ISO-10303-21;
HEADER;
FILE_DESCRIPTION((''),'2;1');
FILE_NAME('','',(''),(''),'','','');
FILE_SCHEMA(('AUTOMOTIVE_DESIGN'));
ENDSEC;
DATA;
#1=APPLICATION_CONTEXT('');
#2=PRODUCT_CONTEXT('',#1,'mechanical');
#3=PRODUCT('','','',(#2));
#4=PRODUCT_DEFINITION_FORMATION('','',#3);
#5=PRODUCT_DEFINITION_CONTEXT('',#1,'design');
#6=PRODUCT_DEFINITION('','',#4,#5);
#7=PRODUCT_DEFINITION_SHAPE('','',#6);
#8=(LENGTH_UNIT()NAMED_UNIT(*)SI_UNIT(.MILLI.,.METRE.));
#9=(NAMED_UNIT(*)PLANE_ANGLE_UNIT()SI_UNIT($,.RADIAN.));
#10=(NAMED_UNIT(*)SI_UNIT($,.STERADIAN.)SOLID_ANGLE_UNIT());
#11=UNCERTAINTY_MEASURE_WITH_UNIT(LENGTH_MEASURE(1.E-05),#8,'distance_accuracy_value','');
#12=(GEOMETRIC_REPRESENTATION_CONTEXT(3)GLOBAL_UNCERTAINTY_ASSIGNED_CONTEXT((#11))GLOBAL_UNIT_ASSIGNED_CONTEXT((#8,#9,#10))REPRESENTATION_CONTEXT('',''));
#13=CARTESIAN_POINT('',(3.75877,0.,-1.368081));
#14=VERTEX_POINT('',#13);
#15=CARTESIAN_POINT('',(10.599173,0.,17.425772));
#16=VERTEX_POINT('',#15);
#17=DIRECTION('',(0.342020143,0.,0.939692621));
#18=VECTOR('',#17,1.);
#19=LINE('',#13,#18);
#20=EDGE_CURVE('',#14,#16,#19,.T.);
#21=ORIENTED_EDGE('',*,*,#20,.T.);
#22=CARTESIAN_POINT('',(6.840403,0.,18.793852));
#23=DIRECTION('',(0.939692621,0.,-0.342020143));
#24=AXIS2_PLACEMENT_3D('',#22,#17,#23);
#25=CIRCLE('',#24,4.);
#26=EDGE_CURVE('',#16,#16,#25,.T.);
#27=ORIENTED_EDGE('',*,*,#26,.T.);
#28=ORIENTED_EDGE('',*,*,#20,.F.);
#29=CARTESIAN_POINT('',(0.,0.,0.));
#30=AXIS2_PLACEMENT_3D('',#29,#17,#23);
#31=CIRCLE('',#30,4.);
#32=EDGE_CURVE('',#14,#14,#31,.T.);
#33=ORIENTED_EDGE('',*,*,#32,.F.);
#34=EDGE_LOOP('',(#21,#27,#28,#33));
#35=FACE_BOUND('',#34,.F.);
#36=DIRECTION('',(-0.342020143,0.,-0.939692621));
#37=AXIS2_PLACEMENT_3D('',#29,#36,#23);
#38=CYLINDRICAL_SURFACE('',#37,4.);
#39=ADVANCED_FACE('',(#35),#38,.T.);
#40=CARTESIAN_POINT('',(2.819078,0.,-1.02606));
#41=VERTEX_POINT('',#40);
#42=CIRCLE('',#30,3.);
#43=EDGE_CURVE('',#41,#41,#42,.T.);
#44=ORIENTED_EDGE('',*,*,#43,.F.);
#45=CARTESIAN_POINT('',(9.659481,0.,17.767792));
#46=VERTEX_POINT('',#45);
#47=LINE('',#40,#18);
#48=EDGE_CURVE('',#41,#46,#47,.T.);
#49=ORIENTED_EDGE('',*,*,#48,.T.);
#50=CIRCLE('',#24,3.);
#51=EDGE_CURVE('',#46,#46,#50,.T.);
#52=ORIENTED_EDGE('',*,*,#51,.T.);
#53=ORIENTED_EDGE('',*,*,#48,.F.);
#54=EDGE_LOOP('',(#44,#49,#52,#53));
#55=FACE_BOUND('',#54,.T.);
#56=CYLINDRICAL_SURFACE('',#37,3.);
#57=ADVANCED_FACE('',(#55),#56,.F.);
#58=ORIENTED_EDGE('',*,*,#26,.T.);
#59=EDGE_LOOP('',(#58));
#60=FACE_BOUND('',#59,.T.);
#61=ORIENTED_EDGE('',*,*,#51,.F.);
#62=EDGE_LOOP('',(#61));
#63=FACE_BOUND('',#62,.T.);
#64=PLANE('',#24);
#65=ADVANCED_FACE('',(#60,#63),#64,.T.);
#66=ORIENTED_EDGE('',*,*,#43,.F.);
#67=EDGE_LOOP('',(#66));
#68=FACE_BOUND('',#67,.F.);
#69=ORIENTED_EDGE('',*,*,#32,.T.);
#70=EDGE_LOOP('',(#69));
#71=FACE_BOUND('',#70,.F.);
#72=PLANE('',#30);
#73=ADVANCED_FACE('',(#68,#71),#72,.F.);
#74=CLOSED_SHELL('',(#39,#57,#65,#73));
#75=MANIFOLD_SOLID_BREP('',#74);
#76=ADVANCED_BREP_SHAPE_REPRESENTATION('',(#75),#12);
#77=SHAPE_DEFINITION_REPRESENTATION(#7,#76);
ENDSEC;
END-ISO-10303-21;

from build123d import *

# Parameters (mm, degrees)
CYLINDER001_R      = 3
CYLINDER001_DEPTH  = 20
CYLINDER_R         = 4
CYLINDER_DEPTH     = 20
CUT001_PITCH_ANGLE = 20


with BuildPart() as tubeinside:
    # Cylinder001 → Cylinder001 (new body)
    with BuildSketch(Plane.XY):
        Circle(CYLINDER001_R)
    extrude(amount=CYLINDER001_DEPTH)


with BuildPart() as tube:
    # Cylinder → Cylinder (new body)
    with BuildSketch(Plane.XY):
        Circle(CYLINDER_R)
    extrude(amount=CYLINDER_DEPTH)

    # Cut001: cut TubeInside
    add(tubeinside.part, mode=Mode.SUBTRACT)


with BuildPart() as tube_1:
    # Cut001 pitch: moved
    add(tube.part.rotate(Axis((0, 0, 0), (0, 1, 0)), CUT001_PITCH_ANGLE))


with BuildPart() as tube_2:
    # Cut001 placement: moved
    add(tube_1.part)


solid = tube_2.part
